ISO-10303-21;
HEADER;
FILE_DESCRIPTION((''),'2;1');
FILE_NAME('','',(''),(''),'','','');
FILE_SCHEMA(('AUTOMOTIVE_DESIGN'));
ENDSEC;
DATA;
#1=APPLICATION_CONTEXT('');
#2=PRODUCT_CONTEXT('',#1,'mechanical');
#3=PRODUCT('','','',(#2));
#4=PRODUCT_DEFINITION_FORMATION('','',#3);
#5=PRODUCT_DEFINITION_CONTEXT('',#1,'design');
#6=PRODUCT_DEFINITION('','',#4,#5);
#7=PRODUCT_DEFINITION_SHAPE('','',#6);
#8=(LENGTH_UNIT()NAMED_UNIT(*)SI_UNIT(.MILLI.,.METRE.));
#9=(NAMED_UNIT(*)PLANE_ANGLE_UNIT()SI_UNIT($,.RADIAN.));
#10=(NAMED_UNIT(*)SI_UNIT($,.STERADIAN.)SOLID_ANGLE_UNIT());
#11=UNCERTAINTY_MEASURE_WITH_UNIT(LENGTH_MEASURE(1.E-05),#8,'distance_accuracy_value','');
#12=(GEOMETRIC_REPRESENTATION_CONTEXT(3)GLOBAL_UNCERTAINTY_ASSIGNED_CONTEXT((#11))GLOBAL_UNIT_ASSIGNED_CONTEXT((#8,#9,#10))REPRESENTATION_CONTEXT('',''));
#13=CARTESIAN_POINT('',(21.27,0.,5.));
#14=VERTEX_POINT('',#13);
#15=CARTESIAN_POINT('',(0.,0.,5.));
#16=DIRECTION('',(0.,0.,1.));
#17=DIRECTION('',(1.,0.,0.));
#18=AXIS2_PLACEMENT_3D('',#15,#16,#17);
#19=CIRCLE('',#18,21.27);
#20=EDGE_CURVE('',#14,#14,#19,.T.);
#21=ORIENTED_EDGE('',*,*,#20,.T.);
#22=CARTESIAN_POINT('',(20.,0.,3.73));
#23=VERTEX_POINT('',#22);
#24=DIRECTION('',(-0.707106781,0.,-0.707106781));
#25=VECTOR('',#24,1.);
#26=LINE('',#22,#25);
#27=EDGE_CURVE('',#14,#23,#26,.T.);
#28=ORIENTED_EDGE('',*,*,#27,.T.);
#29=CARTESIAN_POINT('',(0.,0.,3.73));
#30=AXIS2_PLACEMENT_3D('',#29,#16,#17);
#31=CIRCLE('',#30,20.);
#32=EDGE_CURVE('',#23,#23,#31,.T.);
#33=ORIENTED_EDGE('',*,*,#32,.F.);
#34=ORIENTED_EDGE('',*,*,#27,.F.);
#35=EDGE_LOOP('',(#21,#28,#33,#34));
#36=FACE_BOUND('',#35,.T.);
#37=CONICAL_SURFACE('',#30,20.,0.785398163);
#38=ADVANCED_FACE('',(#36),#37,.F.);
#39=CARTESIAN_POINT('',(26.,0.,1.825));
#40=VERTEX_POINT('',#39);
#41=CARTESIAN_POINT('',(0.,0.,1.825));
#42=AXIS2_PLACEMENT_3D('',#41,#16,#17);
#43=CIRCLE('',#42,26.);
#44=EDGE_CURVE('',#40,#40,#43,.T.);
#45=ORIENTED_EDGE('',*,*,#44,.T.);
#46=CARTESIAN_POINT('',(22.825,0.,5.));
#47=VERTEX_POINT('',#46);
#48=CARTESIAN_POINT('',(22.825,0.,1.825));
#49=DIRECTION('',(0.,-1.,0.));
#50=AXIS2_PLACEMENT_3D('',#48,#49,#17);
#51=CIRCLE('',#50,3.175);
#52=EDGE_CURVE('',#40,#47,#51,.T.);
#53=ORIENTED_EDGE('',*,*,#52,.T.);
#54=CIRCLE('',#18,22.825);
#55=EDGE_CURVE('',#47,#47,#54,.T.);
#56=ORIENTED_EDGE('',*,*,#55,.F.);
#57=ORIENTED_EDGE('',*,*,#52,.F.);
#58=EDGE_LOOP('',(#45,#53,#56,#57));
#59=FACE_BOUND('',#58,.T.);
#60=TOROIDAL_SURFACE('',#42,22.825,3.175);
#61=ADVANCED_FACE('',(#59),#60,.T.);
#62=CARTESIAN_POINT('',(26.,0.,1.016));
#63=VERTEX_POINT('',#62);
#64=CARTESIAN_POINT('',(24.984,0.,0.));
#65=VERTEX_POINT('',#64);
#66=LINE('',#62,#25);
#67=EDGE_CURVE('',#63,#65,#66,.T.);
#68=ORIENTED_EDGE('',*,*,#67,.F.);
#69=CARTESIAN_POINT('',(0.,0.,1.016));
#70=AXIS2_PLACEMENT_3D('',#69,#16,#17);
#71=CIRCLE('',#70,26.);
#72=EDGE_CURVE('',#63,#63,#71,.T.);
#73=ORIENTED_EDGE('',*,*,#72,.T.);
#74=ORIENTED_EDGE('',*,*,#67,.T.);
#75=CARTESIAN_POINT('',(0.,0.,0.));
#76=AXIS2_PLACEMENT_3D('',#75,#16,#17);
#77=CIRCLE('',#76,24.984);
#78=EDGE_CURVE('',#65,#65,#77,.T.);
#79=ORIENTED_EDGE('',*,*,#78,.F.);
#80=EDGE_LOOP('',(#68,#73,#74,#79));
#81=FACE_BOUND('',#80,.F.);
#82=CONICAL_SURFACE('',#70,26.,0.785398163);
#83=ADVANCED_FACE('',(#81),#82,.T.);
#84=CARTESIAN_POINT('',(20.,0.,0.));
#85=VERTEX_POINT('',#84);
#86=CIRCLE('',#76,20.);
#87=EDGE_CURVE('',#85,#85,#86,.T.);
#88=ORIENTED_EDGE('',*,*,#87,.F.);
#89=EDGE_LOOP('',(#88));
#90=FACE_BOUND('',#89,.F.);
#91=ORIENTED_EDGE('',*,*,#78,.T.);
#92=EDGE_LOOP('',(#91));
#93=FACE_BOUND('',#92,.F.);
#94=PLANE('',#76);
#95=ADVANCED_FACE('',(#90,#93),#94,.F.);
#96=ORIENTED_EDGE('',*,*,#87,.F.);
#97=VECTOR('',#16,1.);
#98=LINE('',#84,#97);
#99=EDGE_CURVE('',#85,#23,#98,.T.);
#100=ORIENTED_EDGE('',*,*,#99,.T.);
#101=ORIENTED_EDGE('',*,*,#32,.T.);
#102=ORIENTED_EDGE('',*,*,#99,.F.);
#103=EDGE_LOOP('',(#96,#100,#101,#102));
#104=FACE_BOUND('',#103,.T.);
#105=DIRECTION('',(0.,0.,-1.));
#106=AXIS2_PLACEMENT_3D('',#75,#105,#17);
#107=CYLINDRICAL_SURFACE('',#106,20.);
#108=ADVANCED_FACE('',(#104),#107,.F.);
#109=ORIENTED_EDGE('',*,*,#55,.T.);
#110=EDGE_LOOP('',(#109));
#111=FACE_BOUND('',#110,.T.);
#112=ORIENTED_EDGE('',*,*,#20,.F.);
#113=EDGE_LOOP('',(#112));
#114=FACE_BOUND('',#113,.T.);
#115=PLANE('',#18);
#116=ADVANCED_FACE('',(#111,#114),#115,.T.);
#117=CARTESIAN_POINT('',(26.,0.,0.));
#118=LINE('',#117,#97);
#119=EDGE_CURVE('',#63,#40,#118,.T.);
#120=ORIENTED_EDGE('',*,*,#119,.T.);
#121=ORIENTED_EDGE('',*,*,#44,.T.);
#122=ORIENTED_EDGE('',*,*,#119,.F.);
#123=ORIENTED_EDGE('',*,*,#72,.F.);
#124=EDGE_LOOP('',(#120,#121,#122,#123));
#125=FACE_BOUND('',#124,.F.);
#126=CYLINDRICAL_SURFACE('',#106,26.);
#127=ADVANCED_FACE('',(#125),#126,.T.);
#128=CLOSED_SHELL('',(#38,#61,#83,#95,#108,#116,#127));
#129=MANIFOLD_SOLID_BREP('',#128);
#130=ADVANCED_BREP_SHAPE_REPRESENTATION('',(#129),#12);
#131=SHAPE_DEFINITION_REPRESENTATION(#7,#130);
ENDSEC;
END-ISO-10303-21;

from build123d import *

# Parameters (mm, degrees)
F0_R     = 23
F0_R_2   = 20
F1_DEPTH = 5
F0_R_3   = 26
F2_DEPTH = 5
F3_R     = 3.175
F4_SIZE  = 1.27
F5_SIZE  = 1.016


with BuildPart() as f1:
    # F0 (on Top) → F1 (new body)
    with BuildSketch(Plane.XY):
        Circle(F0_R)
        Circle(F0_R_2, mode=Mode.SUBTRACT)
    extrude(amount=F1_DEPTH)

    # F0 (on Top) → F2 (join)
    with BuildSketch(Plane.XY):
        Circle(F0_R_3)
        Circle(F0_R, mode=Mode.SUBTRACT)
    extrude(amount=F2_DEPTH)

    # F3
    f3_edges = [f1.edges().sort_by_distance(p)[0] for p in [
        (-26, 0, 5),
    ]]
    fillet(f3_edges, radius=F3_R)

    # F4
    f4_edges = [f1.edges().sort_by_distance(p)[0] for p in [
        (-20, 0, 5),
    ]]
    chamfer(f4_edges, length=F4_SIZE)

    # F5
    f5_edges = [f1.edges().sort_by_distance(p)[0] for p in [
        (-26, 0, 0),
    ]]
    chamfer(f5_edges, length=F5_SIZE)


solid = f1.part
